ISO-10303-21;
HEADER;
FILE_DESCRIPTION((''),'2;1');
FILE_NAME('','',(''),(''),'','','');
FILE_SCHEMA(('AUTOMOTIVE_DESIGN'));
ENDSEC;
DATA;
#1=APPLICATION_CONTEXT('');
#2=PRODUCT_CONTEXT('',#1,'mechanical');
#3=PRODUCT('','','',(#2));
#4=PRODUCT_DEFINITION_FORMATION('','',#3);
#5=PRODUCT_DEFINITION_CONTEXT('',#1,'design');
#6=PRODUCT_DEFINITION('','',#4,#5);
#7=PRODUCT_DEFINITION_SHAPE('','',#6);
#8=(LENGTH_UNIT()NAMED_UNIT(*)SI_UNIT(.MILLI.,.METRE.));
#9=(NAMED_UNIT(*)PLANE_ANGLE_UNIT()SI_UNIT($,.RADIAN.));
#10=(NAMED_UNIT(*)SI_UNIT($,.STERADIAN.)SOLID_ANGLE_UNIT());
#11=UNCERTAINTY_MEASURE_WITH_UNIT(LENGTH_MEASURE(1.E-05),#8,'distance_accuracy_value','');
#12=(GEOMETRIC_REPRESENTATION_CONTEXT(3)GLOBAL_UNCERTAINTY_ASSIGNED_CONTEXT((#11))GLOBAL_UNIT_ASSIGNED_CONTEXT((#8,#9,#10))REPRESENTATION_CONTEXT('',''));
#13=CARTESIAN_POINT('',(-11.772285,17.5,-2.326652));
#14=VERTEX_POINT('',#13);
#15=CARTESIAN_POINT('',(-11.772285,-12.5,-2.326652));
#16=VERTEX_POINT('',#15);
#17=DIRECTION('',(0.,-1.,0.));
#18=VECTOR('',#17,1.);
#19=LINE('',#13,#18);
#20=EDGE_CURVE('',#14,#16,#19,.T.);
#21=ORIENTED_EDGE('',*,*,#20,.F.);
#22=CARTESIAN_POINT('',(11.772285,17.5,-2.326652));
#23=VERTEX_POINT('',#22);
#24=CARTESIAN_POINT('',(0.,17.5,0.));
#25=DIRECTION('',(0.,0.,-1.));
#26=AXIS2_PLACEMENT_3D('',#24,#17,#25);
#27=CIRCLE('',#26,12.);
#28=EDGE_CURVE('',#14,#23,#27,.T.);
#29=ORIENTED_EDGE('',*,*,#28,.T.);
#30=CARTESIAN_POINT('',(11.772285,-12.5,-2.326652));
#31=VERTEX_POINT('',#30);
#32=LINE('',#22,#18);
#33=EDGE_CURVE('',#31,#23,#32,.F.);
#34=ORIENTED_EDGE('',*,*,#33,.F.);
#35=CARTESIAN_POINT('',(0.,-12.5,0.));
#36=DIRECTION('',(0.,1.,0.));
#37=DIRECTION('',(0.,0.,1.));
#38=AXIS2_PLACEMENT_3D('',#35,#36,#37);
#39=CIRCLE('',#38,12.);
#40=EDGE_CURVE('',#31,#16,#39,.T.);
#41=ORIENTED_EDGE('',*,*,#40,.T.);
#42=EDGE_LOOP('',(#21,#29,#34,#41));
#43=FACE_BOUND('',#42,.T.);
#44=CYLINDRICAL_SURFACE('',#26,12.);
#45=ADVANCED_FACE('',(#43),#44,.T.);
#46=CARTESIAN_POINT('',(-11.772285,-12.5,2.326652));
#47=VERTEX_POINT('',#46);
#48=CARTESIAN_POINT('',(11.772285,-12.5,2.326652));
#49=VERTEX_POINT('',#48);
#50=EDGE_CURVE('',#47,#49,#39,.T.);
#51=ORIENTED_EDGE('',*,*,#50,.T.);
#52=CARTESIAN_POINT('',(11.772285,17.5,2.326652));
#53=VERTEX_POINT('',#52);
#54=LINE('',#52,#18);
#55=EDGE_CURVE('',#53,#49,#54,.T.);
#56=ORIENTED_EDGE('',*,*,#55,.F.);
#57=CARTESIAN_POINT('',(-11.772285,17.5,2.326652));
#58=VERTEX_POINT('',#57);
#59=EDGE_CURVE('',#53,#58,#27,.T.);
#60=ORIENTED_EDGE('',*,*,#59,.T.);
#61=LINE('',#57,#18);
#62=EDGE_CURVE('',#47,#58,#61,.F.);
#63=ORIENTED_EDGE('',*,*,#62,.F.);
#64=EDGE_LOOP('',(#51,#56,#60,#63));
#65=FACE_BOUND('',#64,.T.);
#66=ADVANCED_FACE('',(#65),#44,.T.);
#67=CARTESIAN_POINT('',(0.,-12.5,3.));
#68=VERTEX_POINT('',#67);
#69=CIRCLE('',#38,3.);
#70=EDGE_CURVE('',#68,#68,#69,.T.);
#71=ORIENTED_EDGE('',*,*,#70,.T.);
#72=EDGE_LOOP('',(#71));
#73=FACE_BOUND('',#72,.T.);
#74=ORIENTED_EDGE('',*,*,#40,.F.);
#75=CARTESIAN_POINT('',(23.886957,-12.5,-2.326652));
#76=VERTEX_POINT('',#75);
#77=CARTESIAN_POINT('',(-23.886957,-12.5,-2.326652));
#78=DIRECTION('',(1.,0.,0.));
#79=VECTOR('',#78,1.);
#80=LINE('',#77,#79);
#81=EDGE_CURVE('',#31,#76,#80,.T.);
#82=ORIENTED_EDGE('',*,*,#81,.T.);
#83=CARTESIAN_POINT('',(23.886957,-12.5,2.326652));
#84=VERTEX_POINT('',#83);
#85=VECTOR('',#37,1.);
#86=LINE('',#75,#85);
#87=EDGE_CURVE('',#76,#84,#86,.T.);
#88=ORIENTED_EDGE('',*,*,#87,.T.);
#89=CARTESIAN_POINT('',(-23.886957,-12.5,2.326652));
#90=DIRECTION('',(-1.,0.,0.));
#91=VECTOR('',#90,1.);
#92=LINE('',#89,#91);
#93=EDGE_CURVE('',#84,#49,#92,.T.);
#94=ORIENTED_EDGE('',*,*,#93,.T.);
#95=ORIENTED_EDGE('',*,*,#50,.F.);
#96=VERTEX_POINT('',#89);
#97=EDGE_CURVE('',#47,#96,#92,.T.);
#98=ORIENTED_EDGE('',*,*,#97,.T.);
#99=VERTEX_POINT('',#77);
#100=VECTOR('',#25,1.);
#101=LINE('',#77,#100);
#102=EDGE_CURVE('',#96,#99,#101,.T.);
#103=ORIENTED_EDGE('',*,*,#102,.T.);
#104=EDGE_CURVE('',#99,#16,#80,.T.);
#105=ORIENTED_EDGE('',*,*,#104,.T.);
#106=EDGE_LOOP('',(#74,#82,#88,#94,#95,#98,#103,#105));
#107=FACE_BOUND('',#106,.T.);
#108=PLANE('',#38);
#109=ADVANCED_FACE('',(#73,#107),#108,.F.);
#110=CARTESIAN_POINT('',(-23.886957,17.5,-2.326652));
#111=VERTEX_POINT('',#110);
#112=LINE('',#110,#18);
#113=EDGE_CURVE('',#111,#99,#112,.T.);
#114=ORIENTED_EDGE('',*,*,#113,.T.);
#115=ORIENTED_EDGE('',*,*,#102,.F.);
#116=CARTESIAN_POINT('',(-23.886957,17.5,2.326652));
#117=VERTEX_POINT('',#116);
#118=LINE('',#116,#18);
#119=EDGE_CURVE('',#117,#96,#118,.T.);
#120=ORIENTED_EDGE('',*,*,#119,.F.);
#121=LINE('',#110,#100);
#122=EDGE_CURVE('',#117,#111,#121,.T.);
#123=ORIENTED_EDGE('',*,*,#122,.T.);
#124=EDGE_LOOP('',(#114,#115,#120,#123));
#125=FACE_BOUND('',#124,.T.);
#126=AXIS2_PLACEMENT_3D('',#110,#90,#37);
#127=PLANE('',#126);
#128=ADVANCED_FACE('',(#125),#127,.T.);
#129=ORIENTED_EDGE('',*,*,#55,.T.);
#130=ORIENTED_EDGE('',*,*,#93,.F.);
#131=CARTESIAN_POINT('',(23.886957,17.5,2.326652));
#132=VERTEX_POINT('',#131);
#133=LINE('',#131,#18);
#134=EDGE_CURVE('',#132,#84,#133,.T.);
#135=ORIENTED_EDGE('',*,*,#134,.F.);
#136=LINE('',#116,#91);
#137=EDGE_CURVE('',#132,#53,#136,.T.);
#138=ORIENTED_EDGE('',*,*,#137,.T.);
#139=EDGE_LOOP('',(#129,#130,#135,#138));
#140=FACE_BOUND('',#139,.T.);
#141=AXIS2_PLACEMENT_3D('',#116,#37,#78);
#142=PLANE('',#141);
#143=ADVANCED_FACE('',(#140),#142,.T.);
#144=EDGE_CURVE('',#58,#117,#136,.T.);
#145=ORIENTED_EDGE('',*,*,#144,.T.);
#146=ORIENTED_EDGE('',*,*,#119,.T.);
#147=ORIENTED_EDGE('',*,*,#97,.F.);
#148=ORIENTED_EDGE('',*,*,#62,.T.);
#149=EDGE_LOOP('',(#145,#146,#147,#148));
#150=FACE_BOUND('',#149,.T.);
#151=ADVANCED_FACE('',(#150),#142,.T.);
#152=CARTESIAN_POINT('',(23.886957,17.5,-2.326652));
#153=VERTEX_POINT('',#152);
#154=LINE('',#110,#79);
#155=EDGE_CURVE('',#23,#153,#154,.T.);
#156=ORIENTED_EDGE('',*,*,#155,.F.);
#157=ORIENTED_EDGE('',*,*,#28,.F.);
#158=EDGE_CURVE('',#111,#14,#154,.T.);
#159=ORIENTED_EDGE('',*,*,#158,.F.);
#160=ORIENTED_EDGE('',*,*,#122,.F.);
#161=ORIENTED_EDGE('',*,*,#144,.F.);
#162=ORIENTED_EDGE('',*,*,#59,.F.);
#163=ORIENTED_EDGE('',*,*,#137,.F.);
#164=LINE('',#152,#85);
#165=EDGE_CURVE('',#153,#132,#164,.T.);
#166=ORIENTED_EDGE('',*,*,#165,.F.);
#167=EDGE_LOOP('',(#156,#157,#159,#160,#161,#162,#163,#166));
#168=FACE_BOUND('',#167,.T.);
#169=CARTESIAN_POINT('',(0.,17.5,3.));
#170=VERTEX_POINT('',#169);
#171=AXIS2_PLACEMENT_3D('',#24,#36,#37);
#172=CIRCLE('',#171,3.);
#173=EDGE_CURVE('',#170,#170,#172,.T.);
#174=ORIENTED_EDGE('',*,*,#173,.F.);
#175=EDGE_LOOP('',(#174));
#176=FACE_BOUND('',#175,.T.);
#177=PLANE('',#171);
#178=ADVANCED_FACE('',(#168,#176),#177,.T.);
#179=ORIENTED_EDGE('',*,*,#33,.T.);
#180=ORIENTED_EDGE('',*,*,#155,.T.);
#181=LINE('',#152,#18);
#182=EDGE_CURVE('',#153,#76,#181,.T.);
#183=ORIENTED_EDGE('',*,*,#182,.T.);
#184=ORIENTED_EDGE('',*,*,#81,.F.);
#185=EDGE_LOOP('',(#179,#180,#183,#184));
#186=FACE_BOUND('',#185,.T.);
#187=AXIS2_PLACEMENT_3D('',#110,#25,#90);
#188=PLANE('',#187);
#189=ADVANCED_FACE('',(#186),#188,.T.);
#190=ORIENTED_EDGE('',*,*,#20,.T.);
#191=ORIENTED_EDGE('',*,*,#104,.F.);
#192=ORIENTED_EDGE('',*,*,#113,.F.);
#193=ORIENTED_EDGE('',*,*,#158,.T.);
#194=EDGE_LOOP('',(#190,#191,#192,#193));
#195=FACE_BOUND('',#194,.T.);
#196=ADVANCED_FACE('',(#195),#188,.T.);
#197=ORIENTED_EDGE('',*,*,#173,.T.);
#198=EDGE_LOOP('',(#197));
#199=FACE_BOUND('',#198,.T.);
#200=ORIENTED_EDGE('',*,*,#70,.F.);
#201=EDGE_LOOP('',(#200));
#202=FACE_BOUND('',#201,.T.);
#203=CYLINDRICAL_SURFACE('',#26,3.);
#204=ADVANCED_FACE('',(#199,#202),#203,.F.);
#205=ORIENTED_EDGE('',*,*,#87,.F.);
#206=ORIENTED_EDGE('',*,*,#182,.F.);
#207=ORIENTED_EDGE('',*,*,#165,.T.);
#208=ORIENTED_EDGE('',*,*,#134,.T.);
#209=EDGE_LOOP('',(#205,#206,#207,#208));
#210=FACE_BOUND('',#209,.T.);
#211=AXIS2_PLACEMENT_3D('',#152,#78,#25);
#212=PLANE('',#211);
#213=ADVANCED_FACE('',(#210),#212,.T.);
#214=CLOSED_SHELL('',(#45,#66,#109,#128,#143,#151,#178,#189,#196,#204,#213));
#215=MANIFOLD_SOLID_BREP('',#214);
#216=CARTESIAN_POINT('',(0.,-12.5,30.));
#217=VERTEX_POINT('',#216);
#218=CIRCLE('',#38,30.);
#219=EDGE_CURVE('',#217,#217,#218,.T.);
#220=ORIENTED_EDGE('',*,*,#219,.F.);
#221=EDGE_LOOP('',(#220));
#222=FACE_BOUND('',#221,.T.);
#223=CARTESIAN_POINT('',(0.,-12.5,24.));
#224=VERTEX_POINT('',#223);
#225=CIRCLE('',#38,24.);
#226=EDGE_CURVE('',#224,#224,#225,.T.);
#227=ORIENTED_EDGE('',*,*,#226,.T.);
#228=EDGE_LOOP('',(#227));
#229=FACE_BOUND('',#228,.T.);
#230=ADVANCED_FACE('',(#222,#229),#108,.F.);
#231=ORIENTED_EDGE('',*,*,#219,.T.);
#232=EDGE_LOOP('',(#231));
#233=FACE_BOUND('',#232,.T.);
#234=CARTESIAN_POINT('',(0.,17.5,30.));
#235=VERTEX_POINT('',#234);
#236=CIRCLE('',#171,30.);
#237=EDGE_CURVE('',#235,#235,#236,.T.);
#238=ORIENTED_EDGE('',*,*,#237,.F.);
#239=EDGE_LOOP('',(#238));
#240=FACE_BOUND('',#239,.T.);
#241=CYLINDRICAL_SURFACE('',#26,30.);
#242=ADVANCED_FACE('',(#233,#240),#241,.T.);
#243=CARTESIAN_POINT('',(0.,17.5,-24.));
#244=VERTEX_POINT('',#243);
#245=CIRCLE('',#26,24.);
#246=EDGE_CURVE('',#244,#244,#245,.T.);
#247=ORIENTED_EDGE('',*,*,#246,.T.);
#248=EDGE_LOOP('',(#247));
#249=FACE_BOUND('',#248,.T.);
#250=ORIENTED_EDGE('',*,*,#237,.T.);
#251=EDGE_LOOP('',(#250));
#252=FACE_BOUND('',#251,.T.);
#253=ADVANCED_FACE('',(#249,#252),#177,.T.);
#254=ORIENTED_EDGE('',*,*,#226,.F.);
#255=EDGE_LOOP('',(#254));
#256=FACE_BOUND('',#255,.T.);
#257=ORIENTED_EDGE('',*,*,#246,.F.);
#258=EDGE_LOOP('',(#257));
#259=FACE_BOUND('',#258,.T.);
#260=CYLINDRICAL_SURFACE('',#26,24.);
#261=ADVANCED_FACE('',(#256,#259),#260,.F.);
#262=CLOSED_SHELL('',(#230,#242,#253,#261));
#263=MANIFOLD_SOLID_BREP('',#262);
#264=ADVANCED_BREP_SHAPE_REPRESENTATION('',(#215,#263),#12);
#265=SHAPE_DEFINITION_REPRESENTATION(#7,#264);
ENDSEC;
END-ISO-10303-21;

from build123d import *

# Parameters (mm, degrees)
SKETCH2_R               = 5
SKETCH2_R_2             = 0.5
BOSS_EXTRUDE1_DEPTH     = 5
CUT_EXTRUDE1_DEPTH      = 9.660254038
CUT_EXTRUDE1_DEPTH_BACK = 9.660254038
SKETCH4_R               = 4
SKETCH4_R_2             = 2
SKETCH5_W               = 7.962318844
SKETCH5_H               = 0.775550536
BOSS_EXTRUDE2_DEPTH     = 5
CUT_EXTRUDE2_DEPTH      = 9.660254038
CUT_EXTRUDE2_DEPTH_BACK = 9.660254038
SKETCH6_R               = 0.5
SCALE1_SCALE            = 6


with BuildPart() as part:
    # Sketch2 → Boss-Extrude1 (new body)
    with BuildSketch(Plane(origin=(0, 0, 0), x_dir=(1, 0, 0), z_dir=(0, 1, 0))):
        with Locations(Location((0, 0, 0), (0, 0, 270))):
            Circle(SKETCH2_R)
        with Locations(Location((0, 0, 0), (0, 0, 270))):
            Circle(SKETCH2_R_2, mode=Mode.SUBTRACT)
    extrude(amount=BOSS_EXTRUDE1_DEPTH)

    # Sketch4 → Cut-Extrude1 (cut, two sides: drawn at the far end of the back side and taken through both)
    with BuildSketch(Plane.XZ.offset(-CUT_EXTRUDE1_DEPTH_BACK)):
        with Locations(Location((0, 0, 0), (0, 0, 270))):
            Circle(SKETCH4_R)
        with Locations(Location((0, 0, 0), (0, 0, 270))):
            Circle(SKETCH4_R_2, mode=Mode.SUBTRACT)
    extrude(amount=CUT_EXTRUDE1_DEPTH + CUT_EXTRUDE1_DEPTH_BACK, mode=Mode.SUBTRACT)


with BuildPart() as cut_extrude1_piece_1:
    # of the separate pieces the step leaves, piece 1, a body of its own (cut_extrude1_pieces)
    add(part.part.solids().sort_by_distance((0, 0, 5))[0])


with BuildPart() as cut_extrude1_piece_2:
    # of the separate pieces the step leaves, piece 2, a body of its own (cut_extrude1_pieces)
    add(part.part.solids().sort_by_distance((0, 0, -2))[0])

    # Sketch5 → Boss-Extrude2 (add)
    with BuildSketch(Plane.XZ):
        Rectangle(SKETCH5_W, SKETCH5_H)
    extrude(amount=-BOSS_EXTRUDE2_DEPTH)

    # Sketch6 → Cut-Extrude2 (cut, two sides: drawn at the far end of the back side and taken through both)
    with BuildSketch(Plane.XZ.offset(-CUT_EXTRUDE2_DEPTH_BACK)):
        with Locations(Location((0, 0, 0), (0, 0, 90))):
            Circle(SKETCH6_R)
    extrude(amount=CUT_EXTRUDE2_DEPTH + CUT_EXTRUDE2_DEPTH_BACK, mode=Mode.SUBTRACT)


with BuildPart() as cut_extrude1_piece_2_1:
    # Scale1: scaled about (0, 2.5, 0)
    add(cut_extrude1_piece_2.part.scale(SCALE1_SCALE).moved(Location((0, -12.5, 0))))


with BuildPart() as cut_extrude1_piece_1_1:
    # Scale1: scaled about (0, 2.5, 0)
    add(cut_extrude1_piece_1.part.scale(SCALE1_SCALE).moved(Location((0, -12.5, 0))))


solid = Compound([cut_extrude1_piece_2_1.part, cut_extrude1_piece_1_1.part])
